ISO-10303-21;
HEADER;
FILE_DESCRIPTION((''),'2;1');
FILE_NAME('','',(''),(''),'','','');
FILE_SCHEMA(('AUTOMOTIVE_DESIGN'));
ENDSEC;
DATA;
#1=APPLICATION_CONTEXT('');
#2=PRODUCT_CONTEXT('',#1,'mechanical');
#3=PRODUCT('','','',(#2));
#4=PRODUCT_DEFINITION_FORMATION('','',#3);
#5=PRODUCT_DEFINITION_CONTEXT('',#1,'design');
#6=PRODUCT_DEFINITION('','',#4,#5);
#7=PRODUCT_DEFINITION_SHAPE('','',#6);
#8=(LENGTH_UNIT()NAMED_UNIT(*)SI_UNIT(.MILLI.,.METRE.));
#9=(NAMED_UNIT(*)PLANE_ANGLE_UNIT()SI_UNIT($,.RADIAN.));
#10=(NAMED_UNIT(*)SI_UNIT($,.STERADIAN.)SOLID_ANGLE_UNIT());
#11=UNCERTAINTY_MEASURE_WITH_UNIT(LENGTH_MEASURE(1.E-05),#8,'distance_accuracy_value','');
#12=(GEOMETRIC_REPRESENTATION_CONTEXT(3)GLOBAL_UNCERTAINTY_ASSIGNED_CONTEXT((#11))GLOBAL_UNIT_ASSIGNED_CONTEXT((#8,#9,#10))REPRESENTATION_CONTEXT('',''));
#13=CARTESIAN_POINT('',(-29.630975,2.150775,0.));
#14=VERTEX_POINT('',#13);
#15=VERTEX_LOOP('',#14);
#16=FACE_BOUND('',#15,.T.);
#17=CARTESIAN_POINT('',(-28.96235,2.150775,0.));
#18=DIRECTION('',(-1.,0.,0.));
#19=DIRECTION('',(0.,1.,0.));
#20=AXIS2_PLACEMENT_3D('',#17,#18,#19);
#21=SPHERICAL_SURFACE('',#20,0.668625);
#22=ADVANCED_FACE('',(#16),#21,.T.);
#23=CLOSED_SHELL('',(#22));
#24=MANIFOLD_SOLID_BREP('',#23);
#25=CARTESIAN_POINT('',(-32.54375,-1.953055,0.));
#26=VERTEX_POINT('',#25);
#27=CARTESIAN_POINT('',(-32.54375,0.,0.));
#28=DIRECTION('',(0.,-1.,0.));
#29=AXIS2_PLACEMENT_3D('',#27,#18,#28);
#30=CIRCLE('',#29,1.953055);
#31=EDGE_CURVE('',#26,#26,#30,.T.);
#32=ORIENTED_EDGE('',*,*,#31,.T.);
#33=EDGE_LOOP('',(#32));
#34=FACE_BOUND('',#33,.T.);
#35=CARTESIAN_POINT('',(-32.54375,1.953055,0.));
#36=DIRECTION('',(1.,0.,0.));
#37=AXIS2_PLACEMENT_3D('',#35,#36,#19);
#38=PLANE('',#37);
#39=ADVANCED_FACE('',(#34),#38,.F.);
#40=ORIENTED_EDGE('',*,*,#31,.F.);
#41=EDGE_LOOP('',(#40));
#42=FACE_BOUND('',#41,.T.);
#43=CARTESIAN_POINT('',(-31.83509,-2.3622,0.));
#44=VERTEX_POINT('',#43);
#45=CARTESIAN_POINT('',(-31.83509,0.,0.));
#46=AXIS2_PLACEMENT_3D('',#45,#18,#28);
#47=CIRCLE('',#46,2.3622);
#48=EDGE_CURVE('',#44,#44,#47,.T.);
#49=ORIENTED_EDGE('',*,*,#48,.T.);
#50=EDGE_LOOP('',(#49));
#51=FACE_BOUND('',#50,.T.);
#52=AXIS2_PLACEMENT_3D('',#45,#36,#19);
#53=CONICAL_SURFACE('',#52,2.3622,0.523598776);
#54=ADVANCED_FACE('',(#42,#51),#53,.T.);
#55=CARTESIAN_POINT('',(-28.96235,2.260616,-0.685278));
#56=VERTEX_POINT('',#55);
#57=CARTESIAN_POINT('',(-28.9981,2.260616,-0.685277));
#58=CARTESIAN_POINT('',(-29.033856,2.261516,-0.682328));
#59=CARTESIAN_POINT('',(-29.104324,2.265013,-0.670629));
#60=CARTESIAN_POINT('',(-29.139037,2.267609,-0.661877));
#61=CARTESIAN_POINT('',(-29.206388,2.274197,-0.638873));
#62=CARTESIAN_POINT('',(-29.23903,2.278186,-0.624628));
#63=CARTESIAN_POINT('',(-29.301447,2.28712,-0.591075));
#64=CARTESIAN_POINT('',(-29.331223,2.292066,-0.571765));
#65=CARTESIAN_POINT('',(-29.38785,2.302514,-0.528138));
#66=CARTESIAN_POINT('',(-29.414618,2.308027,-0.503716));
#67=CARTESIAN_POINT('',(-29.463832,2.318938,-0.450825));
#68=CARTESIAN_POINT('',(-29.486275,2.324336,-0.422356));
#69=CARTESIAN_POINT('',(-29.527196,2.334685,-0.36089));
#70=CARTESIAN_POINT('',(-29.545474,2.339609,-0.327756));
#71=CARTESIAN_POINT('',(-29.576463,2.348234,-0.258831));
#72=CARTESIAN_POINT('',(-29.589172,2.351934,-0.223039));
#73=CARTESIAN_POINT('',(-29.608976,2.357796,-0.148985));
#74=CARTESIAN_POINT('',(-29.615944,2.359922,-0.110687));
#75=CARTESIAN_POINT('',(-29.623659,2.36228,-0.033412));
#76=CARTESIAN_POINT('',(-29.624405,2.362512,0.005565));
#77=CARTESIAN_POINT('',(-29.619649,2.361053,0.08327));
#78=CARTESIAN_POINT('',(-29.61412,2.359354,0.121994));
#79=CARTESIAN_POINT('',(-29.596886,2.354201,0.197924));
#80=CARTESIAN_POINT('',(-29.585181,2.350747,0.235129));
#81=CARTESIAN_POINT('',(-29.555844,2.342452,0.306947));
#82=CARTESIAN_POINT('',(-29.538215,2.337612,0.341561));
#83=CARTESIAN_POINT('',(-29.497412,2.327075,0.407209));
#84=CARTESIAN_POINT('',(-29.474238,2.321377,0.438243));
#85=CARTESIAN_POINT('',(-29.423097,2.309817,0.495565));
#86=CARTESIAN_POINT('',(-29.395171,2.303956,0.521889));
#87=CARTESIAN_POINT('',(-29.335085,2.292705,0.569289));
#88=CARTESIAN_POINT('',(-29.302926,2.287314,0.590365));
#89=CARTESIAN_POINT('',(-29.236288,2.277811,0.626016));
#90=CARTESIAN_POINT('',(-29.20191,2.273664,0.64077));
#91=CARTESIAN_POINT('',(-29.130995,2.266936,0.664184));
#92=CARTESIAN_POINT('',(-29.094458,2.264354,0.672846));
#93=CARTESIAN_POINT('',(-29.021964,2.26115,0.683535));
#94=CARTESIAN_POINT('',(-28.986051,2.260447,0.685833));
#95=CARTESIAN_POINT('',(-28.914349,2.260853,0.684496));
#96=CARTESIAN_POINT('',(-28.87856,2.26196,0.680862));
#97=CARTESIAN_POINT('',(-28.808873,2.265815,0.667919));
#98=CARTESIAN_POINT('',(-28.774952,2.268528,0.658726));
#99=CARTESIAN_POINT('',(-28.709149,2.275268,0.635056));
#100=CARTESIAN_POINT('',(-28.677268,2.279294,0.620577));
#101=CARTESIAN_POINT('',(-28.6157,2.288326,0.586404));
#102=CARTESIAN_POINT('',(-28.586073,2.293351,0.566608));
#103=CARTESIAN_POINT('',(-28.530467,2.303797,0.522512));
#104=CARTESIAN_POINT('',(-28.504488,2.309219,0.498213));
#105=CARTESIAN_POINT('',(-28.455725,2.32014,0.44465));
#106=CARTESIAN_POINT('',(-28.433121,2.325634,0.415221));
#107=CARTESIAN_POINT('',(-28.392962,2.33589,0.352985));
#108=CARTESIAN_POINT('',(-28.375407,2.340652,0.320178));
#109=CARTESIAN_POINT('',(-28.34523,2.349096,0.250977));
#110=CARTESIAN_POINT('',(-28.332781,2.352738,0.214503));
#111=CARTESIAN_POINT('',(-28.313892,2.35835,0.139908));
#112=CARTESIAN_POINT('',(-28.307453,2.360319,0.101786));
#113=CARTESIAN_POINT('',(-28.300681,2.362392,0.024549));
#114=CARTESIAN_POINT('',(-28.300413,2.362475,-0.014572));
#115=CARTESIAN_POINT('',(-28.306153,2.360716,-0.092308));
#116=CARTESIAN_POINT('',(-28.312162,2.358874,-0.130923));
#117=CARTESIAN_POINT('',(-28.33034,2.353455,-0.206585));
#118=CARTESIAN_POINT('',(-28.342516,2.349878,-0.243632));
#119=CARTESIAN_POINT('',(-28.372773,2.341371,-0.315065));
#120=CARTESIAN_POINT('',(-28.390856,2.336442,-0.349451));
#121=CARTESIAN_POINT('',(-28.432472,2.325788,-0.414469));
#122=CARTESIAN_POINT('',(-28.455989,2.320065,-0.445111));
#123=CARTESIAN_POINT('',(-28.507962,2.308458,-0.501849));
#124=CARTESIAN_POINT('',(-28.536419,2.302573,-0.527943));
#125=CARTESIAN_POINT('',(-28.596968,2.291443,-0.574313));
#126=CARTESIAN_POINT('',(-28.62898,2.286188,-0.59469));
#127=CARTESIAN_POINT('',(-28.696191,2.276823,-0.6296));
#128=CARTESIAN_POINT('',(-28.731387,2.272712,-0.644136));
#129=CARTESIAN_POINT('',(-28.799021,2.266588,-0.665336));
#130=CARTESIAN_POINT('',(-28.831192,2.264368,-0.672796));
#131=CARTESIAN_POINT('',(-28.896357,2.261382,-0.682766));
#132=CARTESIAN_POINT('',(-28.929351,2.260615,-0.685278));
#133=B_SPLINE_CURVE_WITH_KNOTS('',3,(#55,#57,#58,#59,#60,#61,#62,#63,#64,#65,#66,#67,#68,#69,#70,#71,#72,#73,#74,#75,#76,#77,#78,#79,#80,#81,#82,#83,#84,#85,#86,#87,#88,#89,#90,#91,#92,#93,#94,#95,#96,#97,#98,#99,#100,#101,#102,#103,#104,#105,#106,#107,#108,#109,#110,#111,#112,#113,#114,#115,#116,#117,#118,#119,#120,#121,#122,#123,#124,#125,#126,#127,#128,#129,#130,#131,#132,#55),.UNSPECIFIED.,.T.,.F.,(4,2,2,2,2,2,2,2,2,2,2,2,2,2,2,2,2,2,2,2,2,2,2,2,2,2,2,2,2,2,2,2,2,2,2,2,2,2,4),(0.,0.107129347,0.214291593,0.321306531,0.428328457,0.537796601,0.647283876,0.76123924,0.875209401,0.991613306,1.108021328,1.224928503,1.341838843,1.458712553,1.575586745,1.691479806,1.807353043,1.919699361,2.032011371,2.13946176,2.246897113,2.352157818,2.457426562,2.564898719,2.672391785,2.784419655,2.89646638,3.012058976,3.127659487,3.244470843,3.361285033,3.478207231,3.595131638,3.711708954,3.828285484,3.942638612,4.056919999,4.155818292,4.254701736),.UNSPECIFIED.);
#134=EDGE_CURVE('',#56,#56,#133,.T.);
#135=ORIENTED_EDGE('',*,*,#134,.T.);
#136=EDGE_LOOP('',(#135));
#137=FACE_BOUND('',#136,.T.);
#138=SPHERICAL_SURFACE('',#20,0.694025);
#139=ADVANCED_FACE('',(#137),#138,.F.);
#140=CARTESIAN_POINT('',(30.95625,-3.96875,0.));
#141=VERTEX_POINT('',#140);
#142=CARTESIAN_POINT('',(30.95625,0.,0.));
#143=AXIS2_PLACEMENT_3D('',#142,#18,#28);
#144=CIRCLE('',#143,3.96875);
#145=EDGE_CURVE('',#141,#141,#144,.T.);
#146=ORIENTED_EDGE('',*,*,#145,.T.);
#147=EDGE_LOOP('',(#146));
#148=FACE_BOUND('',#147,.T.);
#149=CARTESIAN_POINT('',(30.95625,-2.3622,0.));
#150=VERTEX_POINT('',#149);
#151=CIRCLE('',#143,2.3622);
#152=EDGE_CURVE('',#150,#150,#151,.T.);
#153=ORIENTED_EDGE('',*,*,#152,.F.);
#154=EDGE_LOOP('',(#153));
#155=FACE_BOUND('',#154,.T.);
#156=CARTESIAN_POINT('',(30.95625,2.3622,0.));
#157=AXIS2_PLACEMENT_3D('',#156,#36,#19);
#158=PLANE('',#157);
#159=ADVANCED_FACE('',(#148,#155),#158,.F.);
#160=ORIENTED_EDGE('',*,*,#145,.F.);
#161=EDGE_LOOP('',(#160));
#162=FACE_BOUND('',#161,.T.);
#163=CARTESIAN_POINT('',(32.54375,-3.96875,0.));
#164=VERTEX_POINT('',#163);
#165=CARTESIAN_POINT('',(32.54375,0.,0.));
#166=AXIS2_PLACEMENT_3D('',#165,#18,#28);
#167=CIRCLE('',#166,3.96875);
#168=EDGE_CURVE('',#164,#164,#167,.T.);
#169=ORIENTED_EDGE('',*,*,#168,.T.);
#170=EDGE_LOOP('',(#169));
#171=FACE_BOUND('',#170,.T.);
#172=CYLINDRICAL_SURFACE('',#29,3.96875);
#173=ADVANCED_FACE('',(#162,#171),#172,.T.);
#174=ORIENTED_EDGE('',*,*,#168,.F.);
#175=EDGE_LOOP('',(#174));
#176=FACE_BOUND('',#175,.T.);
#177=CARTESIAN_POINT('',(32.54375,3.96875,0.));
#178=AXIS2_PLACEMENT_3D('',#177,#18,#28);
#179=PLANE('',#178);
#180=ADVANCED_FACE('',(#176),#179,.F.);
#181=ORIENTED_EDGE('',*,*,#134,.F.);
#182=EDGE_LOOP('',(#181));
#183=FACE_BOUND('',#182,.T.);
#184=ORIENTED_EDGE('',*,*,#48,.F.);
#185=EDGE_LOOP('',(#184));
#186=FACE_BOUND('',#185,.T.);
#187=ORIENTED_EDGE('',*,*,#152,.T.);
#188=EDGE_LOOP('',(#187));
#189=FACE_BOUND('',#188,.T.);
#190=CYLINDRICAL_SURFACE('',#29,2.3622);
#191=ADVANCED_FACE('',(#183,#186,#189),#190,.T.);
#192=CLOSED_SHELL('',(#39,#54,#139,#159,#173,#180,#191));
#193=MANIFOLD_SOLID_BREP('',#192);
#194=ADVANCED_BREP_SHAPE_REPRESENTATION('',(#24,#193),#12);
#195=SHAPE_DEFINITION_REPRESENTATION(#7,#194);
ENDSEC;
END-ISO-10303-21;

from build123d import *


with BuildPart() as part:
    # Sketch1 → Revolve1 (revolve)
    with BuildSketch(Plane.XY, mode=Mode.PRIVATE) as revolve1_sk:
        Polygon((32.54375, 3.96875), (30.95625, 3.96875), (30.95625, 2.3622), (-31.83509, 2.3622), (-32.54375, 1.953054958), (-32.54375, 0), (32.54375, 0), align=None)
    revolve(revolve1_sk.sketch.rotate(Axis((-32.54375, 0, 0), (1, 0, 0)), 180), axis=Axis((-32.54375, 0, 0), (1, 0, 0)))

    # Sketch2 → Cut-Revolve1 (revolve, cut)
    with BuildSketch(Plane.XY):
        with BuildLine():
            Line((-28.26832515, 2.15077515), (-29.65637485, 2.15077515))
            ThreePointArc((-29.65637485, 2.15077515), (-28.96235, 2.8448), (-28.26832515, 2.15077515))
        make_face()
    revolve(axis=Axis((-28.26832515, 2.15077515, 0), (1, 0, 0)), mode=Mode.SUBTRACT)


with BuildPart() as body_2:
    # Sketch3 → Revolve2 (revolve)
    with BuildSketch(Plane.XY):
        with BuildLine():
            Line((-28.29372515, 2.15077515), (-29.63097485, 2.15077515))
            ThreePointArc((-29.63097485, 2.15077515), (-28.96235, 2.8194), (-28.29372515, 2.15077515))
        make_face()
    revolve(axis=Axis((-28.29372515, 2.15077515, 0), (1, 0, 0)))


solid = Compound([part.part, body_2.part])
